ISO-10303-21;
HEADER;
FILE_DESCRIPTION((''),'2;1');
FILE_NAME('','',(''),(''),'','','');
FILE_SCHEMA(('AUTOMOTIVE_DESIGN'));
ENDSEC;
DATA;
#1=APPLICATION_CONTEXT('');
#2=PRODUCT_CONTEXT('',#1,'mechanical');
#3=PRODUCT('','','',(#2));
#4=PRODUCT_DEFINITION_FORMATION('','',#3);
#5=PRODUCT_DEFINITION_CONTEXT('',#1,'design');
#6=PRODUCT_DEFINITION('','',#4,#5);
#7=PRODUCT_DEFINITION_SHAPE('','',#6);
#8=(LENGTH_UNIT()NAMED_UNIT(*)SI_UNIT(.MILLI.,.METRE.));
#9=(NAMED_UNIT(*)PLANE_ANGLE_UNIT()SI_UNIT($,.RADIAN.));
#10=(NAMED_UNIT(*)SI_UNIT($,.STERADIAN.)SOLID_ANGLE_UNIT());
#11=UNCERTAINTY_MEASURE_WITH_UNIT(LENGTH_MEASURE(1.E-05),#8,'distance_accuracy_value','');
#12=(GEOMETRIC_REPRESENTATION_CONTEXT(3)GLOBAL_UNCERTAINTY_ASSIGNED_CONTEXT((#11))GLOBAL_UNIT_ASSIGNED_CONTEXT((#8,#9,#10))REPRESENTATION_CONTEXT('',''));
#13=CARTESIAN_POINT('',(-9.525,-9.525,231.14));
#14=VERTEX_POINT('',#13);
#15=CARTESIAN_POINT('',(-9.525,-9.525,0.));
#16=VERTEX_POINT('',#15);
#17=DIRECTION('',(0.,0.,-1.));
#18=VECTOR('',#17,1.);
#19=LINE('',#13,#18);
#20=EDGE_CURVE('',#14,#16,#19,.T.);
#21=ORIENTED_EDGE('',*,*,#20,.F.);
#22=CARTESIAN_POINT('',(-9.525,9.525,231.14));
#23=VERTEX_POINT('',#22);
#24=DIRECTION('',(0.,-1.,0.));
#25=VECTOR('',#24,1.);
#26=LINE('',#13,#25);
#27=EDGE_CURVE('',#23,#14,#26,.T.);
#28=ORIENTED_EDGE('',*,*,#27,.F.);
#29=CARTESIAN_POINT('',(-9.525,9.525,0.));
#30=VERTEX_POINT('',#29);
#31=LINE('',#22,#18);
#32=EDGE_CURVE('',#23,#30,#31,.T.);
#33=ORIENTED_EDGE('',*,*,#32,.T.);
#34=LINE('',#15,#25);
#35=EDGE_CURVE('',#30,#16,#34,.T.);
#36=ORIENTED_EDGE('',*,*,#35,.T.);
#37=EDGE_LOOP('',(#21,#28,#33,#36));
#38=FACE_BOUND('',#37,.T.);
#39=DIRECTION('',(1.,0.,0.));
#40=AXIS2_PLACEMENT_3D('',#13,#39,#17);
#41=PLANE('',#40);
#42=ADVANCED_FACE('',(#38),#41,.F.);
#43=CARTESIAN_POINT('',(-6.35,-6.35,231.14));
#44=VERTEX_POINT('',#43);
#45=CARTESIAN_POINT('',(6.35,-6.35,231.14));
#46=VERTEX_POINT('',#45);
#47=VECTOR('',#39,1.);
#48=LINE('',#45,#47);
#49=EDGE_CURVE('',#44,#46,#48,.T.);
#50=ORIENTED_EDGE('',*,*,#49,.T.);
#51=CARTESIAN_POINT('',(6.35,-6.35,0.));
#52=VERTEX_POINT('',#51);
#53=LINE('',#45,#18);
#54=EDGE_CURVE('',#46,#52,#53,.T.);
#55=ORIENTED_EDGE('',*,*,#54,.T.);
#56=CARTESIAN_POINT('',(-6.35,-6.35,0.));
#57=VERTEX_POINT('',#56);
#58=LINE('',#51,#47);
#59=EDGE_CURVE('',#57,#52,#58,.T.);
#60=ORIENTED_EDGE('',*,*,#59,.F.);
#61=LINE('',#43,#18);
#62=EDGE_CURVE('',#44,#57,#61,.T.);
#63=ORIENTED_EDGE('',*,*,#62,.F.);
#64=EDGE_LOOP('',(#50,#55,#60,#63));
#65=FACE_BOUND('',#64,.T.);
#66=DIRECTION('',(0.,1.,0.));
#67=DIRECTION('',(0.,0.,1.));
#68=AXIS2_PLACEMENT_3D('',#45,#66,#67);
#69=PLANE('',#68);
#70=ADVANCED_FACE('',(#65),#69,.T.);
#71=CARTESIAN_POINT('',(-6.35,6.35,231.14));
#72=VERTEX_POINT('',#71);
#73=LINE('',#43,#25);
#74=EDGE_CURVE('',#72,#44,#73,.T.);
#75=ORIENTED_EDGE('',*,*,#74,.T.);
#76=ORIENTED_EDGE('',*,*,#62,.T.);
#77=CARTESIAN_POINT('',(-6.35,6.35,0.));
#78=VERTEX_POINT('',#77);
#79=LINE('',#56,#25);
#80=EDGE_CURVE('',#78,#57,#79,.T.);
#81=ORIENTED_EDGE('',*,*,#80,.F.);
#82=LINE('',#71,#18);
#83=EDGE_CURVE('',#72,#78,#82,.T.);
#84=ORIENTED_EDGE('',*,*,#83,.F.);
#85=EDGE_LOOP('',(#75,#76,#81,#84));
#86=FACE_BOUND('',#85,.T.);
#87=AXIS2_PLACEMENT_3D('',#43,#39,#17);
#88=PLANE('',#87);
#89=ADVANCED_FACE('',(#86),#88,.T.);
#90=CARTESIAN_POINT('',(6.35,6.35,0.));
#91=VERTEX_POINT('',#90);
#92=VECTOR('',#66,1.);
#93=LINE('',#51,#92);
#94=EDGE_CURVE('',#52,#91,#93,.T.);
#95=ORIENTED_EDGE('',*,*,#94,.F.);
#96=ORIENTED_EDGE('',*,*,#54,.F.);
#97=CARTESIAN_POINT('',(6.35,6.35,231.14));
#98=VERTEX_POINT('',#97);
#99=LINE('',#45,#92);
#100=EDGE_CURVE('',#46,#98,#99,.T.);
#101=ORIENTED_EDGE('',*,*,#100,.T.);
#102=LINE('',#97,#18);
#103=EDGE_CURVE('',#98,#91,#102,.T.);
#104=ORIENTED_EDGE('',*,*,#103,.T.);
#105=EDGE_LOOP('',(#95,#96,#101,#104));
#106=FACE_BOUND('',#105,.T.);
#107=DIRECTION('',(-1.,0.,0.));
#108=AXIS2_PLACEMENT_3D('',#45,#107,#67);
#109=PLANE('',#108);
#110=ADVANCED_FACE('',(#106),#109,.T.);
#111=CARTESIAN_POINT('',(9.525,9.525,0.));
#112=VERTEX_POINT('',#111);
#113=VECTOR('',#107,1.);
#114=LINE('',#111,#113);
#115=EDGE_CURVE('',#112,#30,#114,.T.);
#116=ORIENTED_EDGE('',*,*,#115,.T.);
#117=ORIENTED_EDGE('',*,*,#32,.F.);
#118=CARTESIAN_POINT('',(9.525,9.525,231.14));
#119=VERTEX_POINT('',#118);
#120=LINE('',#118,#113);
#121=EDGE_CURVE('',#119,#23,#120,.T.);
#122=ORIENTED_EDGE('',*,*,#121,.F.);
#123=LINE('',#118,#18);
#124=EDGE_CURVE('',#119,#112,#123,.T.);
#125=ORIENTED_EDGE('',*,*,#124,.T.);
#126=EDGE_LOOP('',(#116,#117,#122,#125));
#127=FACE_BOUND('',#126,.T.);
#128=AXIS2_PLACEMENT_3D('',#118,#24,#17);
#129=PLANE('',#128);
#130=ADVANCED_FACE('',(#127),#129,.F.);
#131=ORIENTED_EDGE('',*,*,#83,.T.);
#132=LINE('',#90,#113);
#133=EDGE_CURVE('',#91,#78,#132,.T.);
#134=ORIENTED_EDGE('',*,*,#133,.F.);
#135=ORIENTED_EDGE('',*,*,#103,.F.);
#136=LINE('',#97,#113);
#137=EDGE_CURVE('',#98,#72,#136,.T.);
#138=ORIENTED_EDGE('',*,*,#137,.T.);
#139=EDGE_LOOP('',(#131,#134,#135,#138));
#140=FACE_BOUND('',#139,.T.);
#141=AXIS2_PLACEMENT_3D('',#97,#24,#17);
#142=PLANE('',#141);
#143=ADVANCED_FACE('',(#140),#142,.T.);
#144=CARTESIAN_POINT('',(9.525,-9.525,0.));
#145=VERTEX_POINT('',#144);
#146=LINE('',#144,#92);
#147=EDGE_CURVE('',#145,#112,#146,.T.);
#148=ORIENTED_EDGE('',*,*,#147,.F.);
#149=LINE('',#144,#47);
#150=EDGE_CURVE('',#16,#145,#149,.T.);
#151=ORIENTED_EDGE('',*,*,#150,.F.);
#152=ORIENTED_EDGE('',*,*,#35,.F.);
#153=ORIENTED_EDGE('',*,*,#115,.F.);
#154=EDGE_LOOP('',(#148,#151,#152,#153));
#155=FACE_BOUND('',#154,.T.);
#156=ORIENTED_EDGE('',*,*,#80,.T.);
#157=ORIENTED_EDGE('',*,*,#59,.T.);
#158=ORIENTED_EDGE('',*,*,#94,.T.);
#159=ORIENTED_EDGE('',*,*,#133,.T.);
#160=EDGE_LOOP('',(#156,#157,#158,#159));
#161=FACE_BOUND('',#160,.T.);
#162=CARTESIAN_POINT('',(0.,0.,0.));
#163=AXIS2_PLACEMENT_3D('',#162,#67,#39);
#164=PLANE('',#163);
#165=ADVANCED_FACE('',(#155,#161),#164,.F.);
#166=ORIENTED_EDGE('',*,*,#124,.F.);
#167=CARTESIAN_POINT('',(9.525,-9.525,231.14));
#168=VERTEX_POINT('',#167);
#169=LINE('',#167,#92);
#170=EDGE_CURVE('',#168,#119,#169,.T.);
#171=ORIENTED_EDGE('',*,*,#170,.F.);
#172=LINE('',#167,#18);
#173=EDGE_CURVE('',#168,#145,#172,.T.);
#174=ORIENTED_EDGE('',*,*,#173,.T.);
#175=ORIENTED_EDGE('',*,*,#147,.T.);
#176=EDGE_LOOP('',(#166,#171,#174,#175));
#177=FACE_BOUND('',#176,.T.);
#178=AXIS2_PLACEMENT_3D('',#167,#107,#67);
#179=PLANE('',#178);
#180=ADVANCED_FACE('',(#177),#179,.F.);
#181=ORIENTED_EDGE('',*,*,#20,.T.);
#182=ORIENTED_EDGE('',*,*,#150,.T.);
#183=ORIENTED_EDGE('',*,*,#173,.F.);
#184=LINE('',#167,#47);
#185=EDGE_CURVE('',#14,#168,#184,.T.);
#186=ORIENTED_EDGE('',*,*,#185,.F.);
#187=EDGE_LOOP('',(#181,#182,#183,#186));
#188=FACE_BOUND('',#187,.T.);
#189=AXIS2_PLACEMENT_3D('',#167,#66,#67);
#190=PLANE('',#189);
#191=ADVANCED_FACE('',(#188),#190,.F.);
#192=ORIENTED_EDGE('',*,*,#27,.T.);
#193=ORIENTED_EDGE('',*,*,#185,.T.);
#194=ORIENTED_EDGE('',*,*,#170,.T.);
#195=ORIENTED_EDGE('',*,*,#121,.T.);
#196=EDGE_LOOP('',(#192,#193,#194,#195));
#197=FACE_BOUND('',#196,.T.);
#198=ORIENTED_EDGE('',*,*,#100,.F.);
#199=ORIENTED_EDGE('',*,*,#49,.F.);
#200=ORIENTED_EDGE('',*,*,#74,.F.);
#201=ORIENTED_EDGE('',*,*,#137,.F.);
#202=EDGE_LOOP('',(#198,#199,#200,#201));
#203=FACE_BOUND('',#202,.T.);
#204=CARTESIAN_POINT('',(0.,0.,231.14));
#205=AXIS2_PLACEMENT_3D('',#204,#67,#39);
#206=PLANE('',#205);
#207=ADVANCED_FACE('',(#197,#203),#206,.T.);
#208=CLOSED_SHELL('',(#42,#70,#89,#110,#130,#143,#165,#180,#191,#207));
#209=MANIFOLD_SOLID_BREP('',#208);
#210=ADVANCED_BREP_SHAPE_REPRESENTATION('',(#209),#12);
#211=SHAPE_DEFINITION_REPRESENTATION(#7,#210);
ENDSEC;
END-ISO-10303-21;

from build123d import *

# Parameters (mm, degrees)
SKETCH1_W           = 19.05
SKETCH1_H           = 19.05
SKETCH1_W_2         = 12.7
SKETCH1_H_2         = 12.7
BOSS_EXTRUDE1_DEPTH = 231.14


with BuildPart() as part:
    # Sketch1 → Boss-Extrude1 (new body)
    with BuildSketch(Plane.XY):
        Rectangle(SKETCH1_W, SKETCH1_H)
        Rectangle(SKETCH1_W_2, SKETCH1_H_2, mode=Mode.SUBTRACT)
    extrude(amount=BOSS_EXTRUDE1_DEPTH)


solid = part.part
